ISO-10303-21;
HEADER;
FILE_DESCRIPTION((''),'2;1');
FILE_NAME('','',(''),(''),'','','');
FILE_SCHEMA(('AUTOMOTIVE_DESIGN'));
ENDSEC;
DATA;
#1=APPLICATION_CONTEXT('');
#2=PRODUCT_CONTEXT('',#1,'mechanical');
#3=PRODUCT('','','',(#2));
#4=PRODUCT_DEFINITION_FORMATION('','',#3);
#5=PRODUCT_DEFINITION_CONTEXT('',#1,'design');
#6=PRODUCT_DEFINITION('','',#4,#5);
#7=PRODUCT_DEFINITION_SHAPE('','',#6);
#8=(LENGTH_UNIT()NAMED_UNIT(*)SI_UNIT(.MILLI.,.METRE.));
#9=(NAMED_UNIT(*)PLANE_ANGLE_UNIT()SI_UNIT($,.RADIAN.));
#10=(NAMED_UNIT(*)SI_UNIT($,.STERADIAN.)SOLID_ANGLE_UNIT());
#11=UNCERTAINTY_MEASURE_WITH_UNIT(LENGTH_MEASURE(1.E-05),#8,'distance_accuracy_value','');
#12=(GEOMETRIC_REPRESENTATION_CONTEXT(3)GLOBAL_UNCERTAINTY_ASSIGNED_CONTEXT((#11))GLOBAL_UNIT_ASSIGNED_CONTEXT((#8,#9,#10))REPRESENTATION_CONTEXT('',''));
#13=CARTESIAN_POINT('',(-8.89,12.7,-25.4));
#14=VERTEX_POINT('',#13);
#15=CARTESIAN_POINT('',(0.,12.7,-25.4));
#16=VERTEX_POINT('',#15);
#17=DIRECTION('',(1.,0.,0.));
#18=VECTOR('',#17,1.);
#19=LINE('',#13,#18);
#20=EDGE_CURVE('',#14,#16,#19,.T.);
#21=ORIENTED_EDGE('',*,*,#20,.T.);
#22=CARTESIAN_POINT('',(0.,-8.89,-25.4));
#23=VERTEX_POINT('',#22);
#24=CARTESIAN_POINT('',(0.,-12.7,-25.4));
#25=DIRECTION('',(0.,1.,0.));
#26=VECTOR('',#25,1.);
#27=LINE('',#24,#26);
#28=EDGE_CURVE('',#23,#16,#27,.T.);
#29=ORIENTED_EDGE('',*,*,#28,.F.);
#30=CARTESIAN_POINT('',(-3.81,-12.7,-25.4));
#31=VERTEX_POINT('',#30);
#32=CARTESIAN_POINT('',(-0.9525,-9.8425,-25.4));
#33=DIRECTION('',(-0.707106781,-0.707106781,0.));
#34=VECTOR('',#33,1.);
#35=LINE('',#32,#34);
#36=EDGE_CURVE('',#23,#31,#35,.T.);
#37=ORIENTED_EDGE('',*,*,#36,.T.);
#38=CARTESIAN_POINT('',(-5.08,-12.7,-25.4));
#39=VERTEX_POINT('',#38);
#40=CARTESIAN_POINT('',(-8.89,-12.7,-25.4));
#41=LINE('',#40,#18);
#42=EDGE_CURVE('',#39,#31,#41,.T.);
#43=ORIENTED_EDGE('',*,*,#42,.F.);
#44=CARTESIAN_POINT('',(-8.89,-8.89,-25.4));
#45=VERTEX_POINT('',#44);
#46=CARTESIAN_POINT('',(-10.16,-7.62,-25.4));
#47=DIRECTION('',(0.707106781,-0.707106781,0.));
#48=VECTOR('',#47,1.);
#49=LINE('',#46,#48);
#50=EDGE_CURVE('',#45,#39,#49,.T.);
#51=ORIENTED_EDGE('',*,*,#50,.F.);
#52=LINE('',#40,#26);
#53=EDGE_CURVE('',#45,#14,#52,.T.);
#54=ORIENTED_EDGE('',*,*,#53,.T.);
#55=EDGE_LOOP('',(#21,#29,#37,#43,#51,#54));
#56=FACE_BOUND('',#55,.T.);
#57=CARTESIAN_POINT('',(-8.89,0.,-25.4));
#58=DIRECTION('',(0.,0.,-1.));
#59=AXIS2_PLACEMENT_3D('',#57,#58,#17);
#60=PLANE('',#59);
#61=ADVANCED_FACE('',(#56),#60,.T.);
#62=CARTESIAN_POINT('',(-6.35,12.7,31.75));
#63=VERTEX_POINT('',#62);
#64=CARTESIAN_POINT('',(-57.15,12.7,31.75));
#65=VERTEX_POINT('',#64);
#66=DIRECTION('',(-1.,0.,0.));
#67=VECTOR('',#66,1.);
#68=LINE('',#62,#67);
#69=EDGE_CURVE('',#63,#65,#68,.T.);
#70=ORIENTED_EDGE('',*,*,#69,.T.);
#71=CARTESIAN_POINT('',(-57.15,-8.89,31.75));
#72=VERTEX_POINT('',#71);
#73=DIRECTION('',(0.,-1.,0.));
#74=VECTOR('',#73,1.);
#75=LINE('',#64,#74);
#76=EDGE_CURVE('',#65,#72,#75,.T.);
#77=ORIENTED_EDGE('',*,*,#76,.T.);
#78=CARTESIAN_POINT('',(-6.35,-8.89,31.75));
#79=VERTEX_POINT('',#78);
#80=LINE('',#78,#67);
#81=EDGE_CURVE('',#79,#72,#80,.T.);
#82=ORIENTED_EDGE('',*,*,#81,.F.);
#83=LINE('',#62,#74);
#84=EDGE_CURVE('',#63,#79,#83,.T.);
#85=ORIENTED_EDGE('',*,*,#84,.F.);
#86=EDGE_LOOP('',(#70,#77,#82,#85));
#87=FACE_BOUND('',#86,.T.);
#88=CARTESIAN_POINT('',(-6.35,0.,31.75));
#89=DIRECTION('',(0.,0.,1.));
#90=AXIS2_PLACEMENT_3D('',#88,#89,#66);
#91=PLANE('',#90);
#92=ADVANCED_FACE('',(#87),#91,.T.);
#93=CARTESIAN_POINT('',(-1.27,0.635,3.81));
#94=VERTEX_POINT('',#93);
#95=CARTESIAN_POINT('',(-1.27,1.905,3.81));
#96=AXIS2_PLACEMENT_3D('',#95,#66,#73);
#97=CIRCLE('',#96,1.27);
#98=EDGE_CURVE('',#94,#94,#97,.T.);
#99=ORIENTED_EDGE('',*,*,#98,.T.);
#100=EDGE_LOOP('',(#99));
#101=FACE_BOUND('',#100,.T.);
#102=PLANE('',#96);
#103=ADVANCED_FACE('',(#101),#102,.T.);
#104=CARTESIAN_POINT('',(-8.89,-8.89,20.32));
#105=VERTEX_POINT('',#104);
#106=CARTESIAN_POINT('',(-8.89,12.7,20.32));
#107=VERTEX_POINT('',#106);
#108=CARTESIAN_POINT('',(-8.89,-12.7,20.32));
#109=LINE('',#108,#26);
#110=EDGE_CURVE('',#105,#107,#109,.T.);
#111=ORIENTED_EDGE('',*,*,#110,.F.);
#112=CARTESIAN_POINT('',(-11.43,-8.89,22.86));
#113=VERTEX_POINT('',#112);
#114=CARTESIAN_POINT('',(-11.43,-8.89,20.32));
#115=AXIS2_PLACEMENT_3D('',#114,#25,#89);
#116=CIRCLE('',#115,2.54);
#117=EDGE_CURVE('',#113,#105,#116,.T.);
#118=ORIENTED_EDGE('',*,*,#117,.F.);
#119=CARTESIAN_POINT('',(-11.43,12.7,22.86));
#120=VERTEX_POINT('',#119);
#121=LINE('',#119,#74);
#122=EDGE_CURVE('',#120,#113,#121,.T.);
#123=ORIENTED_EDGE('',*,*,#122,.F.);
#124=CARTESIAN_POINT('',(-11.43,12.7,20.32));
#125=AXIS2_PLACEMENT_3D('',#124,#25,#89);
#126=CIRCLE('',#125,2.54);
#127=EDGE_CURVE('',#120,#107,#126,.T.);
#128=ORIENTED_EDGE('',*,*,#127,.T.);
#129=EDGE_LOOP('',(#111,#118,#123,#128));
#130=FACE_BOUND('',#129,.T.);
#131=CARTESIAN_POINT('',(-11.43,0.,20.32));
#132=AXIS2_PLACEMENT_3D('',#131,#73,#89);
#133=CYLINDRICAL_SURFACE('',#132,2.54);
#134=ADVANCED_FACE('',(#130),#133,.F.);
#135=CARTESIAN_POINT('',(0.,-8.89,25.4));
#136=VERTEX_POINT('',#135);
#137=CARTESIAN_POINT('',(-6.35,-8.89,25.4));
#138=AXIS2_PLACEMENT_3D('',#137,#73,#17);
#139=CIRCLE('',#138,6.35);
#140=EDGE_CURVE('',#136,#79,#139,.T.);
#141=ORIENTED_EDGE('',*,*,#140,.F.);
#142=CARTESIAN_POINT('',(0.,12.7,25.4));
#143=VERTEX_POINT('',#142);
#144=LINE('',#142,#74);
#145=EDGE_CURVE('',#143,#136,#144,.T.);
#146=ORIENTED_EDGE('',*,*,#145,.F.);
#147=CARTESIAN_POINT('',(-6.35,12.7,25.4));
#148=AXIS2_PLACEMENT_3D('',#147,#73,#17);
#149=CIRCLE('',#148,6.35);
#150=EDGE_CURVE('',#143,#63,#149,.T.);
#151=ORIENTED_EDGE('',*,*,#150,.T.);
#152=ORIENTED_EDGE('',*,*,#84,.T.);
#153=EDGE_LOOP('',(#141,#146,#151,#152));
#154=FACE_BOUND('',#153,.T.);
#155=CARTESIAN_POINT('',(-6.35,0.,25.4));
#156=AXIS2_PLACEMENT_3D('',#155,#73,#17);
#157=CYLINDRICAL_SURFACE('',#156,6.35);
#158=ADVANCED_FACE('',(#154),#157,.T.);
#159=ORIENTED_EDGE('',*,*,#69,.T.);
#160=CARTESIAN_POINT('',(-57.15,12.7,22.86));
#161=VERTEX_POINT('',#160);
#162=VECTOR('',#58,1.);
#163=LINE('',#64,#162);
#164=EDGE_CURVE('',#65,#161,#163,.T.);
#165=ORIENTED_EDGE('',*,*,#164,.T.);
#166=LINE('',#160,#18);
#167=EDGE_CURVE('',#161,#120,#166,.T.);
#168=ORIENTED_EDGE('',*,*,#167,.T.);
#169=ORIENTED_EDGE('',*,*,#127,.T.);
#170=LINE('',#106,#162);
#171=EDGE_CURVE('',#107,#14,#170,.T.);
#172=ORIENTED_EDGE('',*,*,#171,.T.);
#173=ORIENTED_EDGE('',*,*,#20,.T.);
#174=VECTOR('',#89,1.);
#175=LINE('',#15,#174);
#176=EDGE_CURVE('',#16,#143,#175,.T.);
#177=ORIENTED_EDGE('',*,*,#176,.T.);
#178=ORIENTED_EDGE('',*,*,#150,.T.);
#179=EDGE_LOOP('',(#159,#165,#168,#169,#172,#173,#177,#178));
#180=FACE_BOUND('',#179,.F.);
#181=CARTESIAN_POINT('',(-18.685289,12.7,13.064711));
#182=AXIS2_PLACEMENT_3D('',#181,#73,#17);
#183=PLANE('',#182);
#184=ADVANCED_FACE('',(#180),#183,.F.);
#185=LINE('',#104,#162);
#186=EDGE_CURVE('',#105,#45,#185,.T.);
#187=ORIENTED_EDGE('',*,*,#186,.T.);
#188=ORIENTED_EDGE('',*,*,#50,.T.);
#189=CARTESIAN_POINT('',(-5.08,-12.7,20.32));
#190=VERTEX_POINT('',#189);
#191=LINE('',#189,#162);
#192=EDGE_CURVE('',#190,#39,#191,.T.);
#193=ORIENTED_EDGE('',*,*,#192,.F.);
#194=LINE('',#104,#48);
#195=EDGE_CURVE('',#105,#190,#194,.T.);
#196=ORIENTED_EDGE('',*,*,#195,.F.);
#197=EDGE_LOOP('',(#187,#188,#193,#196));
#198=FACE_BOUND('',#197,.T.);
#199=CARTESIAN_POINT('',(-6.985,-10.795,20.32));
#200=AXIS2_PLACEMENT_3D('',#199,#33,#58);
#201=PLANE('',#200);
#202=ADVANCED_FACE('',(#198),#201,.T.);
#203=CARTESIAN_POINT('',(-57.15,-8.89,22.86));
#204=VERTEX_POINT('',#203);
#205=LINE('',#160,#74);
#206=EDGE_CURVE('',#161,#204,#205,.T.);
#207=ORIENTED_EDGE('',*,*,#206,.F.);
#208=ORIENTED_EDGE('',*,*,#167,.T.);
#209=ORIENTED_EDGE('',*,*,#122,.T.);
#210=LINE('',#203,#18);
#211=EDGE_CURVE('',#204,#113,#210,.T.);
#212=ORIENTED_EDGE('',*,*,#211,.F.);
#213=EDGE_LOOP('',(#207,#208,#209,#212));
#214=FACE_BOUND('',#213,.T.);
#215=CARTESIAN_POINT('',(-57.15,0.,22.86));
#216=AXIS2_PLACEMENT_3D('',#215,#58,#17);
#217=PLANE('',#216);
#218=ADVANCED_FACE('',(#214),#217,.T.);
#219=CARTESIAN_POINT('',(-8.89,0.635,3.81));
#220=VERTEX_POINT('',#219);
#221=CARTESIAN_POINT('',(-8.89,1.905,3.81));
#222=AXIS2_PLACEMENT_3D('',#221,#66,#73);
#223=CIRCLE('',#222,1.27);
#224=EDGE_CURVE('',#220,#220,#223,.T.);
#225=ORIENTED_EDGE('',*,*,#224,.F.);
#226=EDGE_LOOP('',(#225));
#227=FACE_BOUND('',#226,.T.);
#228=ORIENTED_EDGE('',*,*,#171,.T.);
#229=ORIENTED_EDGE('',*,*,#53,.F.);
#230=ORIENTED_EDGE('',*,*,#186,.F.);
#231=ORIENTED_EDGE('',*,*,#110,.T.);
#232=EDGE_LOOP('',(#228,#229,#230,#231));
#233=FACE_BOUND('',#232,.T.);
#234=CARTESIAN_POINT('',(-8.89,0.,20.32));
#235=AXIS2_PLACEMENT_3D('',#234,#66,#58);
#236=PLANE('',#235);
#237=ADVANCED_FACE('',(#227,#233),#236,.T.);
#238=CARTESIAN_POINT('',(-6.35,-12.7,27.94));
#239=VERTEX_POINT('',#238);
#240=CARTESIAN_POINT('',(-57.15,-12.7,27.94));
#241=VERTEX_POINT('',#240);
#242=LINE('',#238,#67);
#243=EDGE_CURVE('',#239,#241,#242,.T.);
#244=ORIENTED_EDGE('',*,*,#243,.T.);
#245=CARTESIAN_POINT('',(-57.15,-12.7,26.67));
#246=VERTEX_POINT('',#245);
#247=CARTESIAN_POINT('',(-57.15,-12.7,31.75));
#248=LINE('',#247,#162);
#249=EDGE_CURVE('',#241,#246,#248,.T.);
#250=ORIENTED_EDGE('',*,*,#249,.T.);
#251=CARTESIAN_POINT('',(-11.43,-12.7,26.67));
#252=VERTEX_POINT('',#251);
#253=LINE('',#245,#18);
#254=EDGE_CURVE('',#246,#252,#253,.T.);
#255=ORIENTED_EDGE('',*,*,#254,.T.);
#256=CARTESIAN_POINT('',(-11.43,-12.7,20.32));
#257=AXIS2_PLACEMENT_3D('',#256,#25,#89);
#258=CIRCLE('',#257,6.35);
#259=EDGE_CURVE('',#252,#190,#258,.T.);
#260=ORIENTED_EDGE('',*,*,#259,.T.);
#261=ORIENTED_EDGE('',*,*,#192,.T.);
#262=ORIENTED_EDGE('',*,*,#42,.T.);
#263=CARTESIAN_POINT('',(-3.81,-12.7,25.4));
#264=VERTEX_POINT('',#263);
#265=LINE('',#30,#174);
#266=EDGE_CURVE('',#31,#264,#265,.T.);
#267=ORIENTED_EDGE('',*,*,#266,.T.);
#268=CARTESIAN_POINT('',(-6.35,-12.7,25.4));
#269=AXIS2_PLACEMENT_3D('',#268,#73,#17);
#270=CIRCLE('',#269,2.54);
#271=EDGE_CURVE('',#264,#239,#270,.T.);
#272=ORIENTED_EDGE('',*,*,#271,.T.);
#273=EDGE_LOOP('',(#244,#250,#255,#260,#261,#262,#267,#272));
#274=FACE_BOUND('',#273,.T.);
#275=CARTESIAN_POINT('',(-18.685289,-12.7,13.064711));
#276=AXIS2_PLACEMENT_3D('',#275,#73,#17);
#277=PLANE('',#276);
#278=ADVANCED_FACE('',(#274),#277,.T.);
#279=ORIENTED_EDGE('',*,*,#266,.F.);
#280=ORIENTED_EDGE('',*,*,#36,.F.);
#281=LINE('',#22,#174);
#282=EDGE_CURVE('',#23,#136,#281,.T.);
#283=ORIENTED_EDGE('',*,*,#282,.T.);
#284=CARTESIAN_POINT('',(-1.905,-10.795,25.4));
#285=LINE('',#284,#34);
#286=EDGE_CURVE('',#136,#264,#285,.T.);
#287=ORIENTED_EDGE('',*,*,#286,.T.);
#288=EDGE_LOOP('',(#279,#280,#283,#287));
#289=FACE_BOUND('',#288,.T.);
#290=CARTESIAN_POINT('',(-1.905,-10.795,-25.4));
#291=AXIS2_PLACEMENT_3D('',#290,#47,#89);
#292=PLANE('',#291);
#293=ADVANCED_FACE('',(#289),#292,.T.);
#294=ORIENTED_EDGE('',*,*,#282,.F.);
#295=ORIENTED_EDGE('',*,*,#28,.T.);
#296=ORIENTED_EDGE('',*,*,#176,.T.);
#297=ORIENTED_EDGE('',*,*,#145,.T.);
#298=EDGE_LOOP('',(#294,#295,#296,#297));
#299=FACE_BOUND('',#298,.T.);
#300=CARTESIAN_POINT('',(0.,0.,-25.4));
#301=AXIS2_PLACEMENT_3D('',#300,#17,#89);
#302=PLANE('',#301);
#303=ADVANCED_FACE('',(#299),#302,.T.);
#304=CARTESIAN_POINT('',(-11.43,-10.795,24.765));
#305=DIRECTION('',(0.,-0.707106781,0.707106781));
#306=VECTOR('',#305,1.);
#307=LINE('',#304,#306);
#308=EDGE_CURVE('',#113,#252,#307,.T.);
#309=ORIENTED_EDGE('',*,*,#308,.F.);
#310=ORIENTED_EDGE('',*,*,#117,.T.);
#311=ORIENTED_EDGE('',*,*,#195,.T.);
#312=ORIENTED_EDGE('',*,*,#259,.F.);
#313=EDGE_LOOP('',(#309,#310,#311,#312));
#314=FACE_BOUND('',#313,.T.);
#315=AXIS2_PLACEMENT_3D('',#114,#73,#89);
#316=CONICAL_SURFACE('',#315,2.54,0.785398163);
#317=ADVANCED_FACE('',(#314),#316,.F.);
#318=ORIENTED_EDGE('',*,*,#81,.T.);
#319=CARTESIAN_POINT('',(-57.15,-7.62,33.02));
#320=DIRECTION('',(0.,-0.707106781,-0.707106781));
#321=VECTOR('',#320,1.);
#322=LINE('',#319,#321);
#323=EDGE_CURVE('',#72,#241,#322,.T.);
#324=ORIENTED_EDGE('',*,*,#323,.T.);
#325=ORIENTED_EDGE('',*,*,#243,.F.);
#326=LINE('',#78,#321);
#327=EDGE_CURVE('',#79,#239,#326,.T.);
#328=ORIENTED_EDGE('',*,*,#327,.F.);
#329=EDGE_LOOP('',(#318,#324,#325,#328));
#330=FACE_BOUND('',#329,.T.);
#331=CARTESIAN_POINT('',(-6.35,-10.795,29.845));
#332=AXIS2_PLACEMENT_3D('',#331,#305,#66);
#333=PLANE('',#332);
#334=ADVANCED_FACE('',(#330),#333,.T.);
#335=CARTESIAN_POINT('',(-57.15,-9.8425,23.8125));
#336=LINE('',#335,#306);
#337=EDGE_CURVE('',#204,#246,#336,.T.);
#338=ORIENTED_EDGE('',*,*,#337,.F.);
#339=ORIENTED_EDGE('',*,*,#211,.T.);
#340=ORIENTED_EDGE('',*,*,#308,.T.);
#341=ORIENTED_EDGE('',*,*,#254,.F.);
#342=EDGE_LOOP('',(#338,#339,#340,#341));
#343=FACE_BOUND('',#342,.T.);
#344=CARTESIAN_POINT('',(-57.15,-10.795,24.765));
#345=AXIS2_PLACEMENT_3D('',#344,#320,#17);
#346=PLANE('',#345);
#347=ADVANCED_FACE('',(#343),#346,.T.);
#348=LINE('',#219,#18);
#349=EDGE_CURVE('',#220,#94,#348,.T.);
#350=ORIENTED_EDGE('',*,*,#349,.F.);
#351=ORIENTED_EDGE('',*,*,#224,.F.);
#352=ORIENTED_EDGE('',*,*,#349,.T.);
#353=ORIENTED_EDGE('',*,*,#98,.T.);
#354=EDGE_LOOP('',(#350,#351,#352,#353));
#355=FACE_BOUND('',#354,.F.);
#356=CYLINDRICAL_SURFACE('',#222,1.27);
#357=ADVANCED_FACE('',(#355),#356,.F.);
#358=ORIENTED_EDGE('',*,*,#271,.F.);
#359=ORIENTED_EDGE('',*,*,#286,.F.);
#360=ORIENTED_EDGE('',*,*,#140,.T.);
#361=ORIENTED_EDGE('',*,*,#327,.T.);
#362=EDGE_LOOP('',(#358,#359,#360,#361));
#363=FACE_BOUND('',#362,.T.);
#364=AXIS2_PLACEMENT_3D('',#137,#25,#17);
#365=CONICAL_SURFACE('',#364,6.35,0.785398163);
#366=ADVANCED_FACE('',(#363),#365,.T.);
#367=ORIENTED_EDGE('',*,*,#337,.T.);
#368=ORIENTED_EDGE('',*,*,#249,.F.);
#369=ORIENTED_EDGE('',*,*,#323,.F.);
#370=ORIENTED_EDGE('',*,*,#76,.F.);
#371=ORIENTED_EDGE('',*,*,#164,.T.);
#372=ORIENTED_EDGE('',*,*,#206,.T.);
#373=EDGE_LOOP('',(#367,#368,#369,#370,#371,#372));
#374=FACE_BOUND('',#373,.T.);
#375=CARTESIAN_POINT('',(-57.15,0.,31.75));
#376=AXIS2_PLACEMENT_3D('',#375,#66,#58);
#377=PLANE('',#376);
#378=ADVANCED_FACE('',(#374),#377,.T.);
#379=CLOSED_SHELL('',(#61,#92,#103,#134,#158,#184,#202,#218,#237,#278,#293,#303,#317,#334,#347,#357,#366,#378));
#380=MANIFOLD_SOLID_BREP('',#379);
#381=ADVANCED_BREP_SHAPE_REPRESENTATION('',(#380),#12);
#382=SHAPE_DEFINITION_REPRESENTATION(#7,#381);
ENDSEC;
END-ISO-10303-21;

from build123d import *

# Parameters (mm, degrees)
F1_DEPTH = 12.7
F2_SIZE  = 3.81
F3_R     = 1.27
F4_DEPTH = 7.62


with BuildPart() as f1:
    # F0 (on Front) → F1 (new body, symmetric)
    with BuildSketch(Plane.XZ):
        with BuildLine():
            Line((0, -25.4), (0, 25.4))
            ThreePointArc((0, 25.4), (-1.8598719395, 29.8901280605), (-6.35, 31.75))
            Line((-6.35, 31.75), (-57.15, 31.75))
            Line((-57.15, 31.75), (-57.15, 22.86))
            Line((-57.15, 22.86), (-11.43, 22.86))
            ThreePointArc((-11.43, 22.86), (-9.6339487758, 22.1160512242), (-8.89, 20.32))
            Line((-8.89, 20.32), (-8.89, -25.4))
            Line((-8.89, -25.4), (0, -25.4))
        make_face()
    extrude(amount=F1_DEPTH, both=True)

    # F2
    f2_edges = [f1.edges().sort_by_distance(p)[0] for p in [
        (-31.75, -12.7, 31.75),
        (-34.29, -12.7, 22.86),
    ]]
    chamfer(f2_edges, length=F2_SIZE)

    # F3 (on face) → F4 (cut)
    with BuildSketch(Plane(origin=(-8.89, 0, 0), x_dir=(0, -1, 0), z_dir=(-1, 0, 0))):
        with Locations((-1.905, 3.81)):
            Circle(F3_R)
    extrude(amount=-F4_DEPTH, mode=Mode.SUBTRACT)


solid = f1.part
